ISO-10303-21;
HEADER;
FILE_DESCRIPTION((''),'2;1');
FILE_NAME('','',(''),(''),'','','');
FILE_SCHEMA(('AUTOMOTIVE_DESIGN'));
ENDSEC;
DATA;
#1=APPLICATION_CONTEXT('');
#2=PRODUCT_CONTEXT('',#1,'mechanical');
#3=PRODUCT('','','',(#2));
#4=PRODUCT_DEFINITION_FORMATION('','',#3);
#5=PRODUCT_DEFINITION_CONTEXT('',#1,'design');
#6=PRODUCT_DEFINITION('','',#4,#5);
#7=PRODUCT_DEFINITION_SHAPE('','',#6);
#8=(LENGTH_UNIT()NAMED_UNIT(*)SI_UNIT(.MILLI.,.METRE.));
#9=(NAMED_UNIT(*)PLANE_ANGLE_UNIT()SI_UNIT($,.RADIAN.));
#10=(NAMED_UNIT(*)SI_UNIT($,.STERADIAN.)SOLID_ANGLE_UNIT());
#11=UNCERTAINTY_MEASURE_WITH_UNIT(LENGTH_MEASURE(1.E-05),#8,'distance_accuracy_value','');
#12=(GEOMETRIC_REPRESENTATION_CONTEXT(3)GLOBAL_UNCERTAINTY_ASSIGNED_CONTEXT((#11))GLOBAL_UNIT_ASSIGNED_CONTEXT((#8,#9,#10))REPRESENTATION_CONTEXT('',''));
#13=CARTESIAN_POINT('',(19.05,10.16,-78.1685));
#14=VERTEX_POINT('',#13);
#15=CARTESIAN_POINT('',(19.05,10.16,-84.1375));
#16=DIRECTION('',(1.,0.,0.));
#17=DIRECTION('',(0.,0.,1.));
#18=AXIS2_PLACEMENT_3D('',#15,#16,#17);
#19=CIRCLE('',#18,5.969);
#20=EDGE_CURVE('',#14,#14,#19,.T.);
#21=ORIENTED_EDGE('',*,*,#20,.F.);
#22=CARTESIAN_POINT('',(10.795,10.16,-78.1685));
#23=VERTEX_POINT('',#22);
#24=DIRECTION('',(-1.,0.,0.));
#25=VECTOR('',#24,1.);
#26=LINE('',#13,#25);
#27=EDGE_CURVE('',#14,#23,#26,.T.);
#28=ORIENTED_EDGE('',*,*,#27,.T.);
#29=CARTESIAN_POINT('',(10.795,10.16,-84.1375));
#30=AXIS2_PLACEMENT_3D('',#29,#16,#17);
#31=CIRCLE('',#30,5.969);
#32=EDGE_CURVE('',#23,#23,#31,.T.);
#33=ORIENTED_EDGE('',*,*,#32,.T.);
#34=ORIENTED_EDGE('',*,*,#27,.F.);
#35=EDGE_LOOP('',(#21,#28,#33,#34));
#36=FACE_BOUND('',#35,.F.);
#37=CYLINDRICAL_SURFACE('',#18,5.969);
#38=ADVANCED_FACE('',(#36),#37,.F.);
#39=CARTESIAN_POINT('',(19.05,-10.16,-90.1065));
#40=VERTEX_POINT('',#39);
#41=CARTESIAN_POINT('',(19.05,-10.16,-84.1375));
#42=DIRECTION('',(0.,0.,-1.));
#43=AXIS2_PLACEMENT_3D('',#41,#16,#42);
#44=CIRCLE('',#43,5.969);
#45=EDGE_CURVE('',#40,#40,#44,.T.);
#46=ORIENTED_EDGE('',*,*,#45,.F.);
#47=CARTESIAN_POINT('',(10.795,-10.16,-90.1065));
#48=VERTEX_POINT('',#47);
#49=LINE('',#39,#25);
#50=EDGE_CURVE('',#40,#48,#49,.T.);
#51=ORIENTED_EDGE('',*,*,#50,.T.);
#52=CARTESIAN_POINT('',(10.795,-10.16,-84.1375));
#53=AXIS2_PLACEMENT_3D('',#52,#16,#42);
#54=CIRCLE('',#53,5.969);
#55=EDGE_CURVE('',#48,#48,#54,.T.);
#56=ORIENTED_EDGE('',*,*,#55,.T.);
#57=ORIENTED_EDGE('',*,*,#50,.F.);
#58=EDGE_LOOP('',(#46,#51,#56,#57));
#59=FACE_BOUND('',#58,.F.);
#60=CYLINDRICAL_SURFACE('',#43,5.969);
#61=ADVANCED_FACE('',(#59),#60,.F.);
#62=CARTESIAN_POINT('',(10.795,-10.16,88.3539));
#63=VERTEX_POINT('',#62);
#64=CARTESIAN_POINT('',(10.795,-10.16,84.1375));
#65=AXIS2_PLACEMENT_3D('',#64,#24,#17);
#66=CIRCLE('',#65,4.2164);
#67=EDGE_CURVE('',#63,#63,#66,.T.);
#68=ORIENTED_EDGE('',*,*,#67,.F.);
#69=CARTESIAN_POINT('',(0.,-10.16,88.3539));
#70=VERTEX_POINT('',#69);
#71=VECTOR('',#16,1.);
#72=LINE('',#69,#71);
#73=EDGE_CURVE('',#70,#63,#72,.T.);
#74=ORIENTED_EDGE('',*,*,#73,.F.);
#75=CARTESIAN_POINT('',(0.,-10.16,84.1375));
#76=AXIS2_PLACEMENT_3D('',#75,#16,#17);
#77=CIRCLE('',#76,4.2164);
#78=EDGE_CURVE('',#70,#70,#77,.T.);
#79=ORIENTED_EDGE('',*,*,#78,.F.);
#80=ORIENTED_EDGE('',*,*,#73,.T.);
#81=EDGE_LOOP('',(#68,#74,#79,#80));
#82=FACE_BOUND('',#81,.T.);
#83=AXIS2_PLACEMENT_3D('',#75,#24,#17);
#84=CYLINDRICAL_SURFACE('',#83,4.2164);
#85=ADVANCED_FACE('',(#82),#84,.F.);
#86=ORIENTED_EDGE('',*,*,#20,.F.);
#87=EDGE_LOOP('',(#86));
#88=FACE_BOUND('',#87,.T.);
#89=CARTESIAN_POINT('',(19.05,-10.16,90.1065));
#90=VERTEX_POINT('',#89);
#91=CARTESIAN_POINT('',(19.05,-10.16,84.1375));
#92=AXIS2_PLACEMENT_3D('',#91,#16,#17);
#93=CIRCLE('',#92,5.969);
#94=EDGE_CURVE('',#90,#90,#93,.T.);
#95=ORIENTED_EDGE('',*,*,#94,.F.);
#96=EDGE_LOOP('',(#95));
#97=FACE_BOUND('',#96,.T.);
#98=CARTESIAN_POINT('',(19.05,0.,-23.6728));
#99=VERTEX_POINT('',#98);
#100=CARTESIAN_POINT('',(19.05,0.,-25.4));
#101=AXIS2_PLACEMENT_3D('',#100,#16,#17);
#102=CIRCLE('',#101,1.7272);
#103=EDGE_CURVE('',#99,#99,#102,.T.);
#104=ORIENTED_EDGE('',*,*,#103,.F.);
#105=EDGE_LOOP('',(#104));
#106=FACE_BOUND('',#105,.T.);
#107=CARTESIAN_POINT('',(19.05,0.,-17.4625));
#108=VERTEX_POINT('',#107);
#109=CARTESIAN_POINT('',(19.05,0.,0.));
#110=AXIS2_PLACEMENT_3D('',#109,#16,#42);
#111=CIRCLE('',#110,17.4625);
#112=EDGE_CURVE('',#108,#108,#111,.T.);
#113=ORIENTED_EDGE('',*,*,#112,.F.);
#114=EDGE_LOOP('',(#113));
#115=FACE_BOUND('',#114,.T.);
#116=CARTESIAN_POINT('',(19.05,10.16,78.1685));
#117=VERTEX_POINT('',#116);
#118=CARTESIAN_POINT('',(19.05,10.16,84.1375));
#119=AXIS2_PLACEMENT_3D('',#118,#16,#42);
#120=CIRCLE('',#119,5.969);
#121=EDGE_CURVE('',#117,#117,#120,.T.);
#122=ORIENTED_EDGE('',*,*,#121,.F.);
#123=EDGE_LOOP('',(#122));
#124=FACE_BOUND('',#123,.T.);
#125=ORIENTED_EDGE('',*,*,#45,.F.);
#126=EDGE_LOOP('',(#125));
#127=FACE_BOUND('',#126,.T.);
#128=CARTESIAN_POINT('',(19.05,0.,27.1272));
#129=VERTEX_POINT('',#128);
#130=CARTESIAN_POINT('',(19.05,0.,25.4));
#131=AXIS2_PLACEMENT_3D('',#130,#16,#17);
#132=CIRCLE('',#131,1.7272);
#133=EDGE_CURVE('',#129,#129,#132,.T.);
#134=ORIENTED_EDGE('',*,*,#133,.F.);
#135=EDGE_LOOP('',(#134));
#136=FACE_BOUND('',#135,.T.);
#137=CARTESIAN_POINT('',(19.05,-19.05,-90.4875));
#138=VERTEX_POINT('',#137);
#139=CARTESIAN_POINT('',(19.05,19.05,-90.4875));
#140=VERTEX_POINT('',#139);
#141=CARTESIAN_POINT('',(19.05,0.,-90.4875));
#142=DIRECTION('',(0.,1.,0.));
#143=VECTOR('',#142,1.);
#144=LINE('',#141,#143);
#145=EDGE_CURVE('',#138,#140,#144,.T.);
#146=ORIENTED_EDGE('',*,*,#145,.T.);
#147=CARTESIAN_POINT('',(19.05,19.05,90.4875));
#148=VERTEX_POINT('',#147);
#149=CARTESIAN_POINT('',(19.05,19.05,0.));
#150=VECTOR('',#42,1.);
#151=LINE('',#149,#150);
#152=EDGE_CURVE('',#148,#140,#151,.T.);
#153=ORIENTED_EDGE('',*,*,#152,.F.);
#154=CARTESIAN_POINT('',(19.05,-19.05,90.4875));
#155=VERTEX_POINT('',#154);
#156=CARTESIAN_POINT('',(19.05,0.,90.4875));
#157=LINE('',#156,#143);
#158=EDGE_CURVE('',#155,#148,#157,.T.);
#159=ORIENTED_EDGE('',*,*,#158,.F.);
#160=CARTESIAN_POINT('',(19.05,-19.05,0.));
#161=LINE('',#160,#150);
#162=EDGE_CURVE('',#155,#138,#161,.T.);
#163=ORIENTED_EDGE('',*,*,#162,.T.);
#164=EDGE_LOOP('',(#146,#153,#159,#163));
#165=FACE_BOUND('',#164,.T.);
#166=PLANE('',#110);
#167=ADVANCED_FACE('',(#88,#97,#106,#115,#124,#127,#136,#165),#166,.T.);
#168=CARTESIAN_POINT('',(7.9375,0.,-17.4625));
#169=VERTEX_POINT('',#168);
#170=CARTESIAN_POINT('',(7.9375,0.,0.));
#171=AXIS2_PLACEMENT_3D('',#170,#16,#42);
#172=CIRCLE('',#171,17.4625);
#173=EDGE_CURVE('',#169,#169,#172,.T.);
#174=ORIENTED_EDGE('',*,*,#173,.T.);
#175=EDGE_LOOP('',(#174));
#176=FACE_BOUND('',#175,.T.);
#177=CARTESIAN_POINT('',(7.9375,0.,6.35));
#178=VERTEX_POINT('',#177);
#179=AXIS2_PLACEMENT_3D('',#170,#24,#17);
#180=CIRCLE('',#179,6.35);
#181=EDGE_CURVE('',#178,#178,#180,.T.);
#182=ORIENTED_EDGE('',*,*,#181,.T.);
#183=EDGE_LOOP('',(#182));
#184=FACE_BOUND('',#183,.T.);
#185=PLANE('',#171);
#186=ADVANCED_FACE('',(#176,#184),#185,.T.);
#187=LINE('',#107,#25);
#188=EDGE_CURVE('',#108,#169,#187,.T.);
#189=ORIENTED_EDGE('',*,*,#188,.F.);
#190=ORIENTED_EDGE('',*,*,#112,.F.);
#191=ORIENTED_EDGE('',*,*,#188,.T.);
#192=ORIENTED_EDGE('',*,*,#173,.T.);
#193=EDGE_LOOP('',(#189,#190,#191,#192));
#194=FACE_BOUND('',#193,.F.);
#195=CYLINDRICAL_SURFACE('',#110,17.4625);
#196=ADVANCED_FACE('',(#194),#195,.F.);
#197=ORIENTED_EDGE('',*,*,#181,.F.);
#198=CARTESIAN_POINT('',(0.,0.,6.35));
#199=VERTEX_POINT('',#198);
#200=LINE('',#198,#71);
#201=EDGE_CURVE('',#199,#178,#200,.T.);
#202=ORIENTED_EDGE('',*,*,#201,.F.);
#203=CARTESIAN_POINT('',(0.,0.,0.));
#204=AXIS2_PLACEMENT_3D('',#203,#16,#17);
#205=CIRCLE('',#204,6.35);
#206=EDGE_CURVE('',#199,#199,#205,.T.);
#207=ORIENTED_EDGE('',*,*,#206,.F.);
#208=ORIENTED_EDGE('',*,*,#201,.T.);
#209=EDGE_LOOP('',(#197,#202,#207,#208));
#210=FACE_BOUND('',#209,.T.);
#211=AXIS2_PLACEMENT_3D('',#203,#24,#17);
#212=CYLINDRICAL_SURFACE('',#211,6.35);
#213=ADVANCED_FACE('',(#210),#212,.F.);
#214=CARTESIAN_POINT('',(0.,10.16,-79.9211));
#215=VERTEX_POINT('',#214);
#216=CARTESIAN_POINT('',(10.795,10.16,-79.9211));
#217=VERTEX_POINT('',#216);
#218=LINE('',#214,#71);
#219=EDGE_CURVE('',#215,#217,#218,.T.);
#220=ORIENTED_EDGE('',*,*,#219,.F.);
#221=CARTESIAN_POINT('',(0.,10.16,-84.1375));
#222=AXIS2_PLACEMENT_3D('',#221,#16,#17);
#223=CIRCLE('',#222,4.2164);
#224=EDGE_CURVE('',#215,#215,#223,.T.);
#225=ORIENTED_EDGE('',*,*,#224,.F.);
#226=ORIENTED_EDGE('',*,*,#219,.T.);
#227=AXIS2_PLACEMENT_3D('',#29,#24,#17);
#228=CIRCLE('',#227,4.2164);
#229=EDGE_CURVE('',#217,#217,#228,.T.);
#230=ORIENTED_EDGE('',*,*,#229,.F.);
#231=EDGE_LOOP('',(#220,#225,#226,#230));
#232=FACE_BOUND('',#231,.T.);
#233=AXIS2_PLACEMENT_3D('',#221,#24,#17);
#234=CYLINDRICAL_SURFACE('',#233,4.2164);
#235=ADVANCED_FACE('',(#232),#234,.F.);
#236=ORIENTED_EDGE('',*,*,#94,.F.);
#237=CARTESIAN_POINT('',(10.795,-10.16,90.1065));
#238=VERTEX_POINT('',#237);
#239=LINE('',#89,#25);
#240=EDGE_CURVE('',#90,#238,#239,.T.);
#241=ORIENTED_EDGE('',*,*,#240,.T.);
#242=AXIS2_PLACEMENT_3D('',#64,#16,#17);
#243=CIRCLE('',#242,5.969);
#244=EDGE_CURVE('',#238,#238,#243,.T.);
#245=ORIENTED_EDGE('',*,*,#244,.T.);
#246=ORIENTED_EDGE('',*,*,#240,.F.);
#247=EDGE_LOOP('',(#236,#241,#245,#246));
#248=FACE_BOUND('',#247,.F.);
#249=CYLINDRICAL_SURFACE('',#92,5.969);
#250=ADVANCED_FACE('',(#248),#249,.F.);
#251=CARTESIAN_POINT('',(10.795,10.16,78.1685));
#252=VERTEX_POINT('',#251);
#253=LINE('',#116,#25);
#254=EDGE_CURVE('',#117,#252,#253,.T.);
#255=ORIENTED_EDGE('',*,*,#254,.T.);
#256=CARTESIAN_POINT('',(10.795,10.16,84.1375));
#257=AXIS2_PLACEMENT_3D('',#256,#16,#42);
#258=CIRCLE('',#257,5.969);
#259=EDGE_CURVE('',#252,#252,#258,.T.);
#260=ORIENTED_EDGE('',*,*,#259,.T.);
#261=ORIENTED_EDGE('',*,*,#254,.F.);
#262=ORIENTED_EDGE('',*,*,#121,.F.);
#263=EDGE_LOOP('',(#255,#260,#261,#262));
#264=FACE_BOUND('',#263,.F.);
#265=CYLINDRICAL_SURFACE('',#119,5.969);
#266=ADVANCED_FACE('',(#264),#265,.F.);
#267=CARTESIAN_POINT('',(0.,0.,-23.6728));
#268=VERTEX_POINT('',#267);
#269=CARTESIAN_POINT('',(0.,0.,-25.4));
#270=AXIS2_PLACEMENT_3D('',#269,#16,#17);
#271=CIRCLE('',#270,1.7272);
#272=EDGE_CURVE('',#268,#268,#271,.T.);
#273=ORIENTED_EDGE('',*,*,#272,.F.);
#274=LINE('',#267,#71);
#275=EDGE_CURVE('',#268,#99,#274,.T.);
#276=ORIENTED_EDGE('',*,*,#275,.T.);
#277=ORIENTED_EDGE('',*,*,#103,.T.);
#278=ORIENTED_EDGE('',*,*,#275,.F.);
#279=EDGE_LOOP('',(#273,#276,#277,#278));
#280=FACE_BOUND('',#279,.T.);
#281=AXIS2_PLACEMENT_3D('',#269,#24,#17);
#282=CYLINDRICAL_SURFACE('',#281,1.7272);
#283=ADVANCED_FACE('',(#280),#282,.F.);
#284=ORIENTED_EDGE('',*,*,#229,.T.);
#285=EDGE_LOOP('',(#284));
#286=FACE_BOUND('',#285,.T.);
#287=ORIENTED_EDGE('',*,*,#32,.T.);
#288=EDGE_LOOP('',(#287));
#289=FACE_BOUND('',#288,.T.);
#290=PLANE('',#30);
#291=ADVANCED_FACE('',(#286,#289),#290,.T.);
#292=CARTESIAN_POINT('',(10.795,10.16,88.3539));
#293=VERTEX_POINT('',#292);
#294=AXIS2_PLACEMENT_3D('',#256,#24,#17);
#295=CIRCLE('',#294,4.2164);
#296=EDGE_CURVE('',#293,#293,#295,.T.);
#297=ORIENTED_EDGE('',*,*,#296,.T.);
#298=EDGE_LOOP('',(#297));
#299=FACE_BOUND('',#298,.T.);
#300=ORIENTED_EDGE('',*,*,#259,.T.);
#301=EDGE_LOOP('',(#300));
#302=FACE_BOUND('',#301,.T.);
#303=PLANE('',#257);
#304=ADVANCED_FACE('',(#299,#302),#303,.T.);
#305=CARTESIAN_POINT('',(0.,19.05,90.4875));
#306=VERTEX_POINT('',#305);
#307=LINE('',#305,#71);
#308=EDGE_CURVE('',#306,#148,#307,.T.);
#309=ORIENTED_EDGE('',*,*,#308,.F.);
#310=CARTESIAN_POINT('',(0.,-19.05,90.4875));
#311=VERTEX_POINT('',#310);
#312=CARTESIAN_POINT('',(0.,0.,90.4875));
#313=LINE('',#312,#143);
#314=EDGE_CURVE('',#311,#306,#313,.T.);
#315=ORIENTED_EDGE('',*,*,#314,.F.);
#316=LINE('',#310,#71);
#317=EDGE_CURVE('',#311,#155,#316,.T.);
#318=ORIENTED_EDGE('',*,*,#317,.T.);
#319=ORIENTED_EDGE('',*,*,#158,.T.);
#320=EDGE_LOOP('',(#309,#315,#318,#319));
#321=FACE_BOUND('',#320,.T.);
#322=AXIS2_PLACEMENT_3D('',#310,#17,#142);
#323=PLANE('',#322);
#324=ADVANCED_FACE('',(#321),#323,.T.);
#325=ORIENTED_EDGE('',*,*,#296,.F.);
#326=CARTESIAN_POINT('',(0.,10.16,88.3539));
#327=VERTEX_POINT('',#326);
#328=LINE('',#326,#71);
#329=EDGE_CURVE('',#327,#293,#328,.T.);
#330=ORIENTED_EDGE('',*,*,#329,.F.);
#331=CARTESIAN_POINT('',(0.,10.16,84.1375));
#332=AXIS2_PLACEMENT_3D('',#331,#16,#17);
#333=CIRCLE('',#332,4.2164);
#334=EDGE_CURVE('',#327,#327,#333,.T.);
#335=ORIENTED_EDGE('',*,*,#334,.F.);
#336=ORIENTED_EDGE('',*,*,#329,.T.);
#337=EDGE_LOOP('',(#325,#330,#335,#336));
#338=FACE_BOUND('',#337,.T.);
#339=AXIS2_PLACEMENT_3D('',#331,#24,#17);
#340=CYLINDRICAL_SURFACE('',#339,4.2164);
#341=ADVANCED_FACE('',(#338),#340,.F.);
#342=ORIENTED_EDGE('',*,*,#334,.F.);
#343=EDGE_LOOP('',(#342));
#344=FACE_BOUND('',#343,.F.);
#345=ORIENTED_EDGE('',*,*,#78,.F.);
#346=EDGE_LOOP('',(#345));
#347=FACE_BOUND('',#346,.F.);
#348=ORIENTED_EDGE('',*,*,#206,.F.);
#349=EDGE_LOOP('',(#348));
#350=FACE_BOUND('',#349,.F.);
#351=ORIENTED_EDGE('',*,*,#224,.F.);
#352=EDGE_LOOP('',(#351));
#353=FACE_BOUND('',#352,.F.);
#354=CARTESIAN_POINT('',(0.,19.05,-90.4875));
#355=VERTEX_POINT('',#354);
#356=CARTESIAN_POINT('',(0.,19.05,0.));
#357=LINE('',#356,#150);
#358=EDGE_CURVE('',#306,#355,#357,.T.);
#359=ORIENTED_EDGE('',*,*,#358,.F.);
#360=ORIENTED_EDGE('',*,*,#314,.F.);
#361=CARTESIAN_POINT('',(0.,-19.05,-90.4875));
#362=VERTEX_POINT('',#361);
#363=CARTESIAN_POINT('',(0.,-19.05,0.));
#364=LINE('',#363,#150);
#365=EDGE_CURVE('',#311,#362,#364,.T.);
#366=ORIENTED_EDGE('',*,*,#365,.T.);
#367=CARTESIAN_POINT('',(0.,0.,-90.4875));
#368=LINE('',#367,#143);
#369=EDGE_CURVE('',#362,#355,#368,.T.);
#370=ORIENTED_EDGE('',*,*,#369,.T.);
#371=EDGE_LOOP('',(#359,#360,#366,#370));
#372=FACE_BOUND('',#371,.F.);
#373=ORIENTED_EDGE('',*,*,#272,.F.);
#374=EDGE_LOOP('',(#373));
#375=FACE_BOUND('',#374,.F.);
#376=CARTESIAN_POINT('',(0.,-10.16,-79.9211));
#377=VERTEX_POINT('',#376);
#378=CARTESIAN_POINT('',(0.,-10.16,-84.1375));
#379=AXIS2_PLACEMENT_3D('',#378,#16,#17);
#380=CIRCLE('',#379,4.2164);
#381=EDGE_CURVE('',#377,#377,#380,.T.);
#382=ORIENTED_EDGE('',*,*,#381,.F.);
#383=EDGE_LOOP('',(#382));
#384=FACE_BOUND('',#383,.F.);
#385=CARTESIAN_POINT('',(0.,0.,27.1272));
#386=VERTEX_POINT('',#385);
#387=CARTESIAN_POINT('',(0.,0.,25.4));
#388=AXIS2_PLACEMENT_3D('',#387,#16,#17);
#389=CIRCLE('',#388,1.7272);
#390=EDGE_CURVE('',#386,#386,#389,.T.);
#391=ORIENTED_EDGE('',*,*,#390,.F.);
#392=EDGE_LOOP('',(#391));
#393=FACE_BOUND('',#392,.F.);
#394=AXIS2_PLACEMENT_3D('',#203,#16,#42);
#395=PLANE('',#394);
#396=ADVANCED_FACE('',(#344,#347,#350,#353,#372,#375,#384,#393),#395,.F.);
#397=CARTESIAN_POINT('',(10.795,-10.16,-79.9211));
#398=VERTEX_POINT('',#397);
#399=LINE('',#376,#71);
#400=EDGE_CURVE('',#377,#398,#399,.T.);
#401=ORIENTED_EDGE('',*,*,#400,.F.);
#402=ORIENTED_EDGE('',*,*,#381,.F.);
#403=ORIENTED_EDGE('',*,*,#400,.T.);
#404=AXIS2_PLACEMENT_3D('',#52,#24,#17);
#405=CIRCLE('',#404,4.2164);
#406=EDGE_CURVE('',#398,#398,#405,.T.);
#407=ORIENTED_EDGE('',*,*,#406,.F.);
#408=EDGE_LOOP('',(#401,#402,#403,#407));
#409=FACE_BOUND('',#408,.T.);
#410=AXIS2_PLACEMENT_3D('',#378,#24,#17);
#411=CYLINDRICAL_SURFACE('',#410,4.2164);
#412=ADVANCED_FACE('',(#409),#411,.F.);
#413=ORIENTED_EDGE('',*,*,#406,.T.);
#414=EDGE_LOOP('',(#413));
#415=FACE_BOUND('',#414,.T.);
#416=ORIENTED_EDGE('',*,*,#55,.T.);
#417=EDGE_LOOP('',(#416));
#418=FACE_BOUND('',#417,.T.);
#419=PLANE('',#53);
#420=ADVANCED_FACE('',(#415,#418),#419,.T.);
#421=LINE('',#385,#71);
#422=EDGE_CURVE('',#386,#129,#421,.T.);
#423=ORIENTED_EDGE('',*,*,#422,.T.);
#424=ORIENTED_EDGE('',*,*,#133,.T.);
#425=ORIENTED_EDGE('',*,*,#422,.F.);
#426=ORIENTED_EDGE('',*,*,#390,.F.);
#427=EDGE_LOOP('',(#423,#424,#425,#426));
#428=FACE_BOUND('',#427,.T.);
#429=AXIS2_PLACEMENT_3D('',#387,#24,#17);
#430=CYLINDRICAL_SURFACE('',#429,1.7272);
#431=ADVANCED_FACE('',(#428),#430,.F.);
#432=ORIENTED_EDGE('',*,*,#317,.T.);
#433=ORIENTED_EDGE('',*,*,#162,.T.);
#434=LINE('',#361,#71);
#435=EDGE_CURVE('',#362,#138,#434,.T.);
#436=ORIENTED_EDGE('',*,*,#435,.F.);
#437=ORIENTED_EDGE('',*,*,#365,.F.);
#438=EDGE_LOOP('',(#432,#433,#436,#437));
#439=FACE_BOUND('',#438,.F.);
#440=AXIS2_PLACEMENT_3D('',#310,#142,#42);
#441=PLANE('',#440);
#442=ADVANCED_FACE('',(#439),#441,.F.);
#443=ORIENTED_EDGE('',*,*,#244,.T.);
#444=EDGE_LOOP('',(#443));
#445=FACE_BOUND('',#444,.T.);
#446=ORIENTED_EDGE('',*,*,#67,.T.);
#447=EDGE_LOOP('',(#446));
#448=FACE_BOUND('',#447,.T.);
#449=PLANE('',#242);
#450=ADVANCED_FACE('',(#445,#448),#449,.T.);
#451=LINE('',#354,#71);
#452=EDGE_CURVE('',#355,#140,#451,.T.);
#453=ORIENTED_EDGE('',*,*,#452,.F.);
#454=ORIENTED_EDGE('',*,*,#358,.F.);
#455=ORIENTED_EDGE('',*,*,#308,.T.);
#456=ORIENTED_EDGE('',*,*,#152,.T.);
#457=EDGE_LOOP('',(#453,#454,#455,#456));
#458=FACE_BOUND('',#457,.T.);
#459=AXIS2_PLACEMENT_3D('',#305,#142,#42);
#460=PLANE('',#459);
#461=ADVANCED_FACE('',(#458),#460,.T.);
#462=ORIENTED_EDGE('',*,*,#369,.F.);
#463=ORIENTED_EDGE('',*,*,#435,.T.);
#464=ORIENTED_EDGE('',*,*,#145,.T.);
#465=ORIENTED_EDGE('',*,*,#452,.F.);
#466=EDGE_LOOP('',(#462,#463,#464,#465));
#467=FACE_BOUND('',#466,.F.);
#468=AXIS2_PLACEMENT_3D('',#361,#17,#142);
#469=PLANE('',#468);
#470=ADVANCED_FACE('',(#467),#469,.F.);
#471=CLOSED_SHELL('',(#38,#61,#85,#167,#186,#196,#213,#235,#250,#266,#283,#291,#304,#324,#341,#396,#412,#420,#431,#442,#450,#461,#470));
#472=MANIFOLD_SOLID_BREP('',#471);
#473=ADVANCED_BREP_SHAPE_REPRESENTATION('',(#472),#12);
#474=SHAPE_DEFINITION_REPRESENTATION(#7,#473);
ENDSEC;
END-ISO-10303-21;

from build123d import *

# Parameters (mm, degrees)
SKETCH1_W           = 180.975
SKETCH1_H           = 38.1
SKETCH1_R           = 6.35
SKETCH1_R_2         = 1.7272
SKETCH1_R_3         = 4.2164
BOSS_EXTRUDE1_DEPTH = 19.05
SKETCH2_R           = 5.969
CUT_EXTRUDE2_DEPTH  = 8.255
SKETCH3_R           = 17.4625
CUT_EXTRUDE3_DEPTH  = 11.1125


with BuildPart() as part:
    # Sketch1 → Boss-Extrude1 (new body)
    with BuildSketch(Plane(origin=(0, 0, 0), x_dir=(0, 0, -1), z_dir=(1, 0, 0))):
        Rectangle(SKETCH1_W, SKETCH1_H)
        with Locations(Location((0, 0, 0), (0, 0, 180))):
            Circle(SKETCH1_R, mode=Mode.SUBTRACT)
        with Locations(Location((-25.4, 0, 0), (0, 0, 180))):
            Circle(SKETCH1_R_2, mode=Mode.SUBTRACT)
        with Locations(Location((-84.1375, 10.16, 0), (0, 0, 180))):
            Circle(SKETCH1_R_3, mode=Mode.SUBTRACT)
        with Locations(Location((-84.1375, -10.16, 0), (0, 0, 180))):
            Circle(SKETCH1_R_3, mode=Mode.SUBTRACT)
        with Locations(Location((25.4, 0, 0), (0, 0, 180))):
            Circle(SKETCH1_R_2, mode=Mode.SUBTRACT)
        with Locations(Location((84.1375, -10.16, 0), (0, 0, 180))):
            Circle(SKETCH1_R_3, mode=Mode.SUBTRACT)
        with Locations(Location((84.1375, 10.16, 0), (0, 0, 180))):
            Circle(SKETCH1_R_3, mode=Mode.SUBTRACT)
    extrude(amount=BOSS_EXTRUDE1_DEPTH)

    # Sketch2 → Cut-Extrude2 (cut)
    with BuildSketch(Plane(origin=(19.05, 0, 0), x_dir=(0, 0, -1), z_dir=(1, 0, 0))):
        with Locations((-84.1375, 10.16)):
            Circle(SKETCH2_R)
        with Locations(Location((-84.1375, -10.16, 0), (0, 0, 180))):
            Circle(SKETCH2_R)
        with Locations((84.1375, -10.16)):
            Circle(SKETCH2_R)
        with Locations(Location((84.1375, 10.16, 0), (0, 0, 180))):
            Circle(SKETCH2_R)
    extrude(amount=-CUT_EXTRUDE2_DEPTH, mode=Mode.SUBTRACT)

    # Sketch3 → Cut-Extrude3 (cut)
    with BuildSketch(Plane(origin=(19.05, 0, 0), x_dir=(0, 0, -1), z_dir=(1, 0, 0))):
        Circle(SKETCH3_R)
    extrude(amount=-CUT_EXTRUDE3_DEPTH, mode=Mode.SUBTRACT)


solid = part.part
